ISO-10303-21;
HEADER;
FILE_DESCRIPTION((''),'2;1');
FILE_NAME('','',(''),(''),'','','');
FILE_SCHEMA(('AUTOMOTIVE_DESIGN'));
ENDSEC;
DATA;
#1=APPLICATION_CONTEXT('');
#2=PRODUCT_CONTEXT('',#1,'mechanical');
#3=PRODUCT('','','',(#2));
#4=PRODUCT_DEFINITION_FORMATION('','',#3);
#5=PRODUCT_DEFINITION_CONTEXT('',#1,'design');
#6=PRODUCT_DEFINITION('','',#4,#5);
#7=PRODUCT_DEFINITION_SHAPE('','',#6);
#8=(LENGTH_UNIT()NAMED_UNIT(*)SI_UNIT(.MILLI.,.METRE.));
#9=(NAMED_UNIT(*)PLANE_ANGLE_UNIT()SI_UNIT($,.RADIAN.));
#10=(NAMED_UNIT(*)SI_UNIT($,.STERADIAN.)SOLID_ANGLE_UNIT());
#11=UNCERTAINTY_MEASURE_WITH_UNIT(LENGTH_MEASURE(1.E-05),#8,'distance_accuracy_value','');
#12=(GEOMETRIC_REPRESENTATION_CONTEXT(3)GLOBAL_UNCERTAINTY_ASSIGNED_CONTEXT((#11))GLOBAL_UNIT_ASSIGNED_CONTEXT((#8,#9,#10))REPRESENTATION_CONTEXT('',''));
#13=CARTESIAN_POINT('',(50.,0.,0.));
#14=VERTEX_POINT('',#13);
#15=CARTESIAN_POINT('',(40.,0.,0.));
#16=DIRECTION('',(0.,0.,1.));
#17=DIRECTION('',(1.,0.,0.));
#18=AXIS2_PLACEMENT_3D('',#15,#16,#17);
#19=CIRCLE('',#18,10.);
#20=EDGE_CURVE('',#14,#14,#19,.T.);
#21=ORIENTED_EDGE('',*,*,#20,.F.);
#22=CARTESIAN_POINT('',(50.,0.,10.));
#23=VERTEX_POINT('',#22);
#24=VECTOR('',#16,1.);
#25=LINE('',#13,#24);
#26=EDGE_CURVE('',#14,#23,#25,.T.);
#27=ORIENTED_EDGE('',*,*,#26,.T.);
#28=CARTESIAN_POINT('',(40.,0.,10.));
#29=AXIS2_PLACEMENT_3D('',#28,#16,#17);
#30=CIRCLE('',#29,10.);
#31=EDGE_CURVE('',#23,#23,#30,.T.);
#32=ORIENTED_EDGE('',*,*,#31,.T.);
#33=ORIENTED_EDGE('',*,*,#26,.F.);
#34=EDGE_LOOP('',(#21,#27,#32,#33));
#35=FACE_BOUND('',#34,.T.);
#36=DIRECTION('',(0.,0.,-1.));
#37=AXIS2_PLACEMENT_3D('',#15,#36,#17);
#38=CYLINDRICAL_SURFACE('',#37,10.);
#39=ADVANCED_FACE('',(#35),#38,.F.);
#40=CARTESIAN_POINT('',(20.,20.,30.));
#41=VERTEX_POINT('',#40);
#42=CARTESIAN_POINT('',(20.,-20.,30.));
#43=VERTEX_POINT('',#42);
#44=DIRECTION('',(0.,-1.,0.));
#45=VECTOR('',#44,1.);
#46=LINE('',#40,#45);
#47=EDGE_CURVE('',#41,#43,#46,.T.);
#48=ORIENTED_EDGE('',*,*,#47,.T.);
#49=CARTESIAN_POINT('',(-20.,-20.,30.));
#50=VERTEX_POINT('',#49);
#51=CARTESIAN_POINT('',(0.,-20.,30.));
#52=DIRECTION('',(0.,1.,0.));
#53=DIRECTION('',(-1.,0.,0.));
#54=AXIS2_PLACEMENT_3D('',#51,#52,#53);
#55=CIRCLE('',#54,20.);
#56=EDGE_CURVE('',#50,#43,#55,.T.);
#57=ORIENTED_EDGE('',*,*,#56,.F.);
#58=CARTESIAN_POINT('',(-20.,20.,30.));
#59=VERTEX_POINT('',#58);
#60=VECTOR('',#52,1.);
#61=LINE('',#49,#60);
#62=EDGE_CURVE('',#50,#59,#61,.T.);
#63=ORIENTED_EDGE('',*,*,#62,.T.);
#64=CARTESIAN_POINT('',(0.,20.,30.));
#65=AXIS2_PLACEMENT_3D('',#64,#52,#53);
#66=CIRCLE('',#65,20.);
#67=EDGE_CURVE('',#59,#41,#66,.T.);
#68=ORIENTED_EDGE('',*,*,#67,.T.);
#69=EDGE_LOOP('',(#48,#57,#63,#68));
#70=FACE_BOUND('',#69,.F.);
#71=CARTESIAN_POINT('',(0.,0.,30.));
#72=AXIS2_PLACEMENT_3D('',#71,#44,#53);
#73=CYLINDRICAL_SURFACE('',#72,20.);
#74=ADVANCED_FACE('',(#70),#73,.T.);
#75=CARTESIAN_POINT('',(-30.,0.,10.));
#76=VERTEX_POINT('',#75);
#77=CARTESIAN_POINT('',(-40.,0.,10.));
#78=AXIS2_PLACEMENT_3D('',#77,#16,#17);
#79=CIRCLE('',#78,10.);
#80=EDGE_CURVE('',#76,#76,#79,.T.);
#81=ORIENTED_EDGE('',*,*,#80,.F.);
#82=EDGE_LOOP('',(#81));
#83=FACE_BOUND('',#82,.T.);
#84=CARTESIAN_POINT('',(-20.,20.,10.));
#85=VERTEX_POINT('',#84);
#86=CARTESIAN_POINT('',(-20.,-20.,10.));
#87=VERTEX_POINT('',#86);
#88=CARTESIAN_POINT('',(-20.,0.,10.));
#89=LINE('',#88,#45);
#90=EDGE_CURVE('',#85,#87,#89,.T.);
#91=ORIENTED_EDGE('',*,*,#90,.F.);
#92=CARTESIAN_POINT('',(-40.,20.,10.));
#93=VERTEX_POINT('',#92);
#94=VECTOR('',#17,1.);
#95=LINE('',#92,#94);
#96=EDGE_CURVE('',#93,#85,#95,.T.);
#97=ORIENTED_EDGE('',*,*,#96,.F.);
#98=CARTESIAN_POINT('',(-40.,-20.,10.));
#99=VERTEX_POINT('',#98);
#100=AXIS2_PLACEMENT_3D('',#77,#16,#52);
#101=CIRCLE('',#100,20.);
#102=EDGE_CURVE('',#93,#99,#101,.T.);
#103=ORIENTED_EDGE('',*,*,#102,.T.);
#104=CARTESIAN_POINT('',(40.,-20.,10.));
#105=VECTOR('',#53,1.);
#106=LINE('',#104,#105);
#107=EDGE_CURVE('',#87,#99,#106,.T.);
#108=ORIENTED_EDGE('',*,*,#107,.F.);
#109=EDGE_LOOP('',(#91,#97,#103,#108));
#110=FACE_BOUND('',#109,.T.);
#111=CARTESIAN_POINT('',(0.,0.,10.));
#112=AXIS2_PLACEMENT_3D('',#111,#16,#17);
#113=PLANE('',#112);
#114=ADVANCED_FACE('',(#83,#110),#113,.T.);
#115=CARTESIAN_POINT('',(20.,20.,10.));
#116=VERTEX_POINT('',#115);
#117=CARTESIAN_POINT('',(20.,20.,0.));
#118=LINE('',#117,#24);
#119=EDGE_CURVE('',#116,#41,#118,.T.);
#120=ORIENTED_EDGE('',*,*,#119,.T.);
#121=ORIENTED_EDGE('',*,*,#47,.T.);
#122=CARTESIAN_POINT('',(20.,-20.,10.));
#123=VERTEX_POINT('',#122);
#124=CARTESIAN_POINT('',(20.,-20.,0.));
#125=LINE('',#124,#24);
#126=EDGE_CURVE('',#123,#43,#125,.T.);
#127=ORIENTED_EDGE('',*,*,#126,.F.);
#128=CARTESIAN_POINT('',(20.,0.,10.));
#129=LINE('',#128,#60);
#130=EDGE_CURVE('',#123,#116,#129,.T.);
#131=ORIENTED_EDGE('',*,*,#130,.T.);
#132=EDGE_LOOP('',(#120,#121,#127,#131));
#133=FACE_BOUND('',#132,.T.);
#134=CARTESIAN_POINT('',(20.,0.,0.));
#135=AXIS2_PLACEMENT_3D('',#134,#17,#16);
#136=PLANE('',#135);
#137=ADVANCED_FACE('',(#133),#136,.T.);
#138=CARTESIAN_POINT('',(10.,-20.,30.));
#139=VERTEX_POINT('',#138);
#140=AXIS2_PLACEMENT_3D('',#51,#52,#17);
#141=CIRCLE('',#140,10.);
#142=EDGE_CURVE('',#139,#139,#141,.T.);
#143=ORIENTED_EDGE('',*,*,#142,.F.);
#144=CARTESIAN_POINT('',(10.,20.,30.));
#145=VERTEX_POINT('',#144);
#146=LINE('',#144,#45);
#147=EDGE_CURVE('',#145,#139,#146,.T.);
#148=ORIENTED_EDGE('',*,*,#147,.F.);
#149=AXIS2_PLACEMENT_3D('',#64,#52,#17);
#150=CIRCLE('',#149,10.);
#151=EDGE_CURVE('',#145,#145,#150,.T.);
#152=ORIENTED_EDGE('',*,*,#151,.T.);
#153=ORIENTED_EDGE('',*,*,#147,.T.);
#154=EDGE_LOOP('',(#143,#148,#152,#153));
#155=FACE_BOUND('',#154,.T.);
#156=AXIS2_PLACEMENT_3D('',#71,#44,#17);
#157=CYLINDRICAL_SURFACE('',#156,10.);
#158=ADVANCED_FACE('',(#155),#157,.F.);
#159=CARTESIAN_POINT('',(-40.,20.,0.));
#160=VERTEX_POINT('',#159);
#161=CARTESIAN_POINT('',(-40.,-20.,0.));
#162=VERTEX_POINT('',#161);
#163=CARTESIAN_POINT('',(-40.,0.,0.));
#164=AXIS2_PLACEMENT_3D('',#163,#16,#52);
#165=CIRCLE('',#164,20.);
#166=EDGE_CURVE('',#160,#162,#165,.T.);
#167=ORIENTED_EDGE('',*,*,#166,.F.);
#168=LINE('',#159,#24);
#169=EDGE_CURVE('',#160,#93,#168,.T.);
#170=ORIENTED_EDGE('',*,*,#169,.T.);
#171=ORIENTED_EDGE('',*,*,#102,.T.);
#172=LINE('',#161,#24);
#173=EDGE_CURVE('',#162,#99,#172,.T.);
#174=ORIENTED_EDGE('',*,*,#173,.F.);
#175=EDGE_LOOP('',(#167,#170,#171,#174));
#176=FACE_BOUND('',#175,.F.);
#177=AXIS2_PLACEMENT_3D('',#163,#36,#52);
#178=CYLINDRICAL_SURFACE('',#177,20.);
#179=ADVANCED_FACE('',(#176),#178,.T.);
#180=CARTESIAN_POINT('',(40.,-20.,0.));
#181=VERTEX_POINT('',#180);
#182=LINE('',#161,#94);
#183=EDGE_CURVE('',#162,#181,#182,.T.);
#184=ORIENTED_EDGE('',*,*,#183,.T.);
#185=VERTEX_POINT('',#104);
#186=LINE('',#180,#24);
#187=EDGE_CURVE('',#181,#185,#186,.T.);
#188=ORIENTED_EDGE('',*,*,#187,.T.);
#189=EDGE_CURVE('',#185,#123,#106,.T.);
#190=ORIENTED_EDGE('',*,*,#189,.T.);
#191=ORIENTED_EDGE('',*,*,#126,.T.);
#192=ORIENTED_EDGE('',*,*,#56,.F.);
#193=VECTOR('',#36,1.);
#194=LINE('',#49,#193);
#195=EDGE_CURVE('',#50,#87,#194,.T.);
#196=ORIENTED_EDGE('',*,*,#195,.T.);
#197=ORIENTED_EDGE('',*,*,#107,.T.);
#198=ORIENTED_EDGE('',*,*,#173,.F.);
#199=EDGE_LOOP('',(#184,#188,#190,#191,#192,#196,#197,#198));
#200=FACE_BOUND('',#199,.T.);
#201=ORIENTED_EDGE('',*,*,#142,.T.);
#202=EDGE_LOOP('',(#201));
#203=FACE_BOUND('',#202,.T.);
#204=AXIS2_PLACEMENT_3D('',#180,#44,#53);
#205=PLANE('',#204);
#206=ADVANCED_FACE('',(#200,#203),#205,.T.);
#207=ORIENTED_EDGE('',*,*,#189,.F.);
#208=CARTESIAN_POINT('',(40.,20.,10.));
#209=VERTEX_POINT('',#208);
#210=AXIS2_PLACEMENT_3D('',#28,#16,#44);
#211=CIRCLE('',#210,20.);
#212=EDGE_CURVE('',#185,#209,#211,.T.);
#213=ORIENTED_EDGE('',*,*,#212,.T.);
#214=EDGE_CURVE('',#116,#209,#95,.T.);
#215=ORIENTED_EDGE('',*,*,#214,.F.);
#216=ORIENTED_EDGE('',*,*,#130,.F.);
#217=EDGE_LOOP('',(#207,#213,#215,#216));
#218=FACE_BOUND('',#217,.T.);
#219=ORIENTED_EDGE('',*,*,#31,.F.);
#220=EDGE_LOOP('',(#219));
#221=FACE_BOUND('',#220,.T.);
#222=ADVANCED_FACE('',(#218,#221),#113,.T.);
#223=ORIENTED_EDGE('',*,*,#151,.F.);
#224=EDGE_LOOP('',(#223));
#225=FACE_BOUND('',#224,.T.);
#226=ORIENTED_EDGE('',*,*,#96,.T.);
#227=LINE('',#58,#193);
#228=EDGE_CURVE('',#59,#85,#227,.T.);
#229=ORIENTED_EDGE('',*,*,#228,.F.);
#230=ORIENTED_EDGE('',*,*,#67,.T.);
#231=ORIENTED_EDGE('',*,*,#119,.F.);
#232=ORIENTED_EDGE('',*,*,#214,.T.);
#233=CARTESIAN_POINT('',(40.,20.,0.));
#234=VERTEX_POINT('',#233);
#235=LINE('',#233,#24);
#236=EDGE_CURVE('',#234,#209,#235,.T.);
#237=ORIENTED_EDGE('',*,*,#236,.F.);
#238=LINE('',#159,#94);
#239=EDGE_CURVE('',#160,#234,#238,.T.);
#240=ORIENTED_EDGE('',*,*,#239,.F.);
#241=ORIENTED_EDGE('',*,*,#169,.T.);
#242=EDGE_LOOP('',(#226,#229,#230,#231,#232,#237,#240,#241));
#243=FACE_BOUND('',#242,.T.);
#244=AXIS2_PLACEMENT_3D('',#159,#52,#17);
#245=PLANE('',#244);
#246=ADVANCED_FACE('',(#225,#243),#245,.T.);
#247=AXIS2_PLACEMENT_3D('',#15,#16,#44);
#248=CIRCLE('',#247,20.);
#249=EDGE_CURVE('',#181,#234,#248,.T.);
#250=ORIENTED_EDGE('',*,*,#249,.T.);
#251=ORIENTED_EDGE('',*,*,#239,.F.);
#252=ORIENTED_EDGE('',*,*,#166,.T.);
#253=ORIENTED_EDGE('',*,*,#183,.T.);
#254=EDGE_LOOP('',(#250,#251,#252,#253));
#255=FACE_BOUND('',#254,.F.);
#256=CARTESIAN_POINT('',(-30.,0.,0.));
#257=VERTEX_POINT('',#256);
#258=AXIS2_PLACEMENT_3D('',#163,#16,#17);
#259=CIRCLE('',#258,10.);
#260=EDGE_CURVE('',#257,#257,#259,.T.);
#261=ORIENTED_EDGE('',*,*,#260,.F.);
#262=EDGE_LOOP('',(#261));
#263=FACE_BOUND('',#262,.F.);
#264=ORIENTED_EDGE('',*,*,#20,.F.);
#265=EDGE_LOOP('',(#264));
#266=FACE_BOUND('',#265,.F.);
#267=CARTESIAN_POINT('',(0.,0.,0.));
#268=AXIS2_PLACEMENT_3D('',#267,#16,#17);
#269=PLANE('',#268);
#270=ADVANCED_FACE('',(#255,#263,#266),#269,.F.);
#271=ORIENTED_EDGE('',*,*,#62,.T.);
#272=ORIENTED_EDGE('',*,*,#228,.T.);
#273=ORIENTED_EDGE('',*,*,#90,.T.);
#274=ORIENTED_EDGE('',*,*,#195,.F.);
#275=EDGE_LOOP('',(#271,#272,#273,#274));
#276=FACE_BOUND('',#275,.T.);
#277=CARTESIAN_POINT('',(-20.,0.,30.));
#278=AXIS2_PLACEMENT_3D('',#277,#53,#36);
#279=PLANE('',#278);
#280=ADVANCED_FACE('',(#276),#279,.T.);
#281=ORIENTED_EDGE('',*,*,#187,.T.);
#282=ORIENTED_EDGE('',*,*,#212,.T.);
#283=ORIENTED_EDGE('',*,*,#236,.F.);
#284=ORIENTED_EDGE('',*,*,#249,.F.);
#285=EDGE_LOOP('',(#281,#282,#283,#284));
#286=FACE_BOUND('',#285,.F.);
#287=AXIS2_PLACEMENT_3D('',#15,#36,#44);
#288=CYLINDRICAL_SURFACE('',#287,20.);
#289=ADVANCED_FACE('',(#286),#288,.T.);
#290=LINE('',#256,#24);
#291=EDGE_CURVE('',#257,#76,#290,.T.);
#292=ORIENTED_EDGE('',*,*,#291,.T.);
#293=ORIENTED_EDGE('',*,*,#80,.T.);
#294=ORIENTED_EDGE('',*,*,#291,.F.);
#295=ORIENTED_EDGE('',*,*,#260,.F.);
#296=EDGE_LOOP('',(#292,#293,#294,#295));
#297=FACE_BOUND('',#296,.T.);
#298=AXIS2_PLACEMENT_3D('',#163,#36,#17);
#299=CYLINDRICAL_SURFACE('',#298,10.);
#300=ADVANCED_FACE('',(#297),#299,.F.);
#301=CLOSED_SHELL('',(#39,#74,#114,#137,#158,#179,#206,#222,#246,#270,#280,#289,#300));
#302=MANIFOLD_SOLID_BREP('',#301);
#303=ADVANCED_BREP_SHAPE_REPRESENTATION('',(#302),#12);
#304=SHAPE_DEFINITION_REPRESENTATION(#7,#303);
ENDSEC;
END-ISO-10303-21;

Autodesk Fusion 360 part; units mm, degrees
sketch "Sketch1" plane through (0, 0, 0) normal (0, 0, 1) x (1, 0, 0)
  line L0 (40, -20) -> (-40, -20)
  line L1 (-40, 20) -> (40, 20)
  circle A0 centre (40, 0) radius 10
  circle A1 centre (-40, 0) radius 10
  arc A2 (40, -20) -> (40, 20) centre (40, 0) ccw
  arc A3 (-40, 20) -> (-40, -20) centre (-40, 0) ccw
  dimension "d1" = 80
  dimension "d2" = 40
  dimension "d5" = 40
  dimension "d6" = 20
  dimension "d7" = 20
extrude "Extrude1" add sketch "Sketch1" along normal blind 10
sketch "Sketch2" plane through (0, 0, 0) normal (0, 1, 0) x (1, 0, 0)
  line L0 (-20, 0) -> (20, 0)
  line L1 (20, 0) -> (20, -30)
  line L2 (-20, -30) -> (-20, 0)
  line L3 (-40, 0) -> (-40, -10) construction
  circle A0 centre (0, -30) radius 10
  arc A1 (-20, -30) -> (20, -30) centre (0, -30) ccw
  dimension "d10" = 40
  dimension "d11" = 30
  dimension "d13" = 20
extrude "Extrude2" add sketch "Sketch2" along normal mid plane 40
